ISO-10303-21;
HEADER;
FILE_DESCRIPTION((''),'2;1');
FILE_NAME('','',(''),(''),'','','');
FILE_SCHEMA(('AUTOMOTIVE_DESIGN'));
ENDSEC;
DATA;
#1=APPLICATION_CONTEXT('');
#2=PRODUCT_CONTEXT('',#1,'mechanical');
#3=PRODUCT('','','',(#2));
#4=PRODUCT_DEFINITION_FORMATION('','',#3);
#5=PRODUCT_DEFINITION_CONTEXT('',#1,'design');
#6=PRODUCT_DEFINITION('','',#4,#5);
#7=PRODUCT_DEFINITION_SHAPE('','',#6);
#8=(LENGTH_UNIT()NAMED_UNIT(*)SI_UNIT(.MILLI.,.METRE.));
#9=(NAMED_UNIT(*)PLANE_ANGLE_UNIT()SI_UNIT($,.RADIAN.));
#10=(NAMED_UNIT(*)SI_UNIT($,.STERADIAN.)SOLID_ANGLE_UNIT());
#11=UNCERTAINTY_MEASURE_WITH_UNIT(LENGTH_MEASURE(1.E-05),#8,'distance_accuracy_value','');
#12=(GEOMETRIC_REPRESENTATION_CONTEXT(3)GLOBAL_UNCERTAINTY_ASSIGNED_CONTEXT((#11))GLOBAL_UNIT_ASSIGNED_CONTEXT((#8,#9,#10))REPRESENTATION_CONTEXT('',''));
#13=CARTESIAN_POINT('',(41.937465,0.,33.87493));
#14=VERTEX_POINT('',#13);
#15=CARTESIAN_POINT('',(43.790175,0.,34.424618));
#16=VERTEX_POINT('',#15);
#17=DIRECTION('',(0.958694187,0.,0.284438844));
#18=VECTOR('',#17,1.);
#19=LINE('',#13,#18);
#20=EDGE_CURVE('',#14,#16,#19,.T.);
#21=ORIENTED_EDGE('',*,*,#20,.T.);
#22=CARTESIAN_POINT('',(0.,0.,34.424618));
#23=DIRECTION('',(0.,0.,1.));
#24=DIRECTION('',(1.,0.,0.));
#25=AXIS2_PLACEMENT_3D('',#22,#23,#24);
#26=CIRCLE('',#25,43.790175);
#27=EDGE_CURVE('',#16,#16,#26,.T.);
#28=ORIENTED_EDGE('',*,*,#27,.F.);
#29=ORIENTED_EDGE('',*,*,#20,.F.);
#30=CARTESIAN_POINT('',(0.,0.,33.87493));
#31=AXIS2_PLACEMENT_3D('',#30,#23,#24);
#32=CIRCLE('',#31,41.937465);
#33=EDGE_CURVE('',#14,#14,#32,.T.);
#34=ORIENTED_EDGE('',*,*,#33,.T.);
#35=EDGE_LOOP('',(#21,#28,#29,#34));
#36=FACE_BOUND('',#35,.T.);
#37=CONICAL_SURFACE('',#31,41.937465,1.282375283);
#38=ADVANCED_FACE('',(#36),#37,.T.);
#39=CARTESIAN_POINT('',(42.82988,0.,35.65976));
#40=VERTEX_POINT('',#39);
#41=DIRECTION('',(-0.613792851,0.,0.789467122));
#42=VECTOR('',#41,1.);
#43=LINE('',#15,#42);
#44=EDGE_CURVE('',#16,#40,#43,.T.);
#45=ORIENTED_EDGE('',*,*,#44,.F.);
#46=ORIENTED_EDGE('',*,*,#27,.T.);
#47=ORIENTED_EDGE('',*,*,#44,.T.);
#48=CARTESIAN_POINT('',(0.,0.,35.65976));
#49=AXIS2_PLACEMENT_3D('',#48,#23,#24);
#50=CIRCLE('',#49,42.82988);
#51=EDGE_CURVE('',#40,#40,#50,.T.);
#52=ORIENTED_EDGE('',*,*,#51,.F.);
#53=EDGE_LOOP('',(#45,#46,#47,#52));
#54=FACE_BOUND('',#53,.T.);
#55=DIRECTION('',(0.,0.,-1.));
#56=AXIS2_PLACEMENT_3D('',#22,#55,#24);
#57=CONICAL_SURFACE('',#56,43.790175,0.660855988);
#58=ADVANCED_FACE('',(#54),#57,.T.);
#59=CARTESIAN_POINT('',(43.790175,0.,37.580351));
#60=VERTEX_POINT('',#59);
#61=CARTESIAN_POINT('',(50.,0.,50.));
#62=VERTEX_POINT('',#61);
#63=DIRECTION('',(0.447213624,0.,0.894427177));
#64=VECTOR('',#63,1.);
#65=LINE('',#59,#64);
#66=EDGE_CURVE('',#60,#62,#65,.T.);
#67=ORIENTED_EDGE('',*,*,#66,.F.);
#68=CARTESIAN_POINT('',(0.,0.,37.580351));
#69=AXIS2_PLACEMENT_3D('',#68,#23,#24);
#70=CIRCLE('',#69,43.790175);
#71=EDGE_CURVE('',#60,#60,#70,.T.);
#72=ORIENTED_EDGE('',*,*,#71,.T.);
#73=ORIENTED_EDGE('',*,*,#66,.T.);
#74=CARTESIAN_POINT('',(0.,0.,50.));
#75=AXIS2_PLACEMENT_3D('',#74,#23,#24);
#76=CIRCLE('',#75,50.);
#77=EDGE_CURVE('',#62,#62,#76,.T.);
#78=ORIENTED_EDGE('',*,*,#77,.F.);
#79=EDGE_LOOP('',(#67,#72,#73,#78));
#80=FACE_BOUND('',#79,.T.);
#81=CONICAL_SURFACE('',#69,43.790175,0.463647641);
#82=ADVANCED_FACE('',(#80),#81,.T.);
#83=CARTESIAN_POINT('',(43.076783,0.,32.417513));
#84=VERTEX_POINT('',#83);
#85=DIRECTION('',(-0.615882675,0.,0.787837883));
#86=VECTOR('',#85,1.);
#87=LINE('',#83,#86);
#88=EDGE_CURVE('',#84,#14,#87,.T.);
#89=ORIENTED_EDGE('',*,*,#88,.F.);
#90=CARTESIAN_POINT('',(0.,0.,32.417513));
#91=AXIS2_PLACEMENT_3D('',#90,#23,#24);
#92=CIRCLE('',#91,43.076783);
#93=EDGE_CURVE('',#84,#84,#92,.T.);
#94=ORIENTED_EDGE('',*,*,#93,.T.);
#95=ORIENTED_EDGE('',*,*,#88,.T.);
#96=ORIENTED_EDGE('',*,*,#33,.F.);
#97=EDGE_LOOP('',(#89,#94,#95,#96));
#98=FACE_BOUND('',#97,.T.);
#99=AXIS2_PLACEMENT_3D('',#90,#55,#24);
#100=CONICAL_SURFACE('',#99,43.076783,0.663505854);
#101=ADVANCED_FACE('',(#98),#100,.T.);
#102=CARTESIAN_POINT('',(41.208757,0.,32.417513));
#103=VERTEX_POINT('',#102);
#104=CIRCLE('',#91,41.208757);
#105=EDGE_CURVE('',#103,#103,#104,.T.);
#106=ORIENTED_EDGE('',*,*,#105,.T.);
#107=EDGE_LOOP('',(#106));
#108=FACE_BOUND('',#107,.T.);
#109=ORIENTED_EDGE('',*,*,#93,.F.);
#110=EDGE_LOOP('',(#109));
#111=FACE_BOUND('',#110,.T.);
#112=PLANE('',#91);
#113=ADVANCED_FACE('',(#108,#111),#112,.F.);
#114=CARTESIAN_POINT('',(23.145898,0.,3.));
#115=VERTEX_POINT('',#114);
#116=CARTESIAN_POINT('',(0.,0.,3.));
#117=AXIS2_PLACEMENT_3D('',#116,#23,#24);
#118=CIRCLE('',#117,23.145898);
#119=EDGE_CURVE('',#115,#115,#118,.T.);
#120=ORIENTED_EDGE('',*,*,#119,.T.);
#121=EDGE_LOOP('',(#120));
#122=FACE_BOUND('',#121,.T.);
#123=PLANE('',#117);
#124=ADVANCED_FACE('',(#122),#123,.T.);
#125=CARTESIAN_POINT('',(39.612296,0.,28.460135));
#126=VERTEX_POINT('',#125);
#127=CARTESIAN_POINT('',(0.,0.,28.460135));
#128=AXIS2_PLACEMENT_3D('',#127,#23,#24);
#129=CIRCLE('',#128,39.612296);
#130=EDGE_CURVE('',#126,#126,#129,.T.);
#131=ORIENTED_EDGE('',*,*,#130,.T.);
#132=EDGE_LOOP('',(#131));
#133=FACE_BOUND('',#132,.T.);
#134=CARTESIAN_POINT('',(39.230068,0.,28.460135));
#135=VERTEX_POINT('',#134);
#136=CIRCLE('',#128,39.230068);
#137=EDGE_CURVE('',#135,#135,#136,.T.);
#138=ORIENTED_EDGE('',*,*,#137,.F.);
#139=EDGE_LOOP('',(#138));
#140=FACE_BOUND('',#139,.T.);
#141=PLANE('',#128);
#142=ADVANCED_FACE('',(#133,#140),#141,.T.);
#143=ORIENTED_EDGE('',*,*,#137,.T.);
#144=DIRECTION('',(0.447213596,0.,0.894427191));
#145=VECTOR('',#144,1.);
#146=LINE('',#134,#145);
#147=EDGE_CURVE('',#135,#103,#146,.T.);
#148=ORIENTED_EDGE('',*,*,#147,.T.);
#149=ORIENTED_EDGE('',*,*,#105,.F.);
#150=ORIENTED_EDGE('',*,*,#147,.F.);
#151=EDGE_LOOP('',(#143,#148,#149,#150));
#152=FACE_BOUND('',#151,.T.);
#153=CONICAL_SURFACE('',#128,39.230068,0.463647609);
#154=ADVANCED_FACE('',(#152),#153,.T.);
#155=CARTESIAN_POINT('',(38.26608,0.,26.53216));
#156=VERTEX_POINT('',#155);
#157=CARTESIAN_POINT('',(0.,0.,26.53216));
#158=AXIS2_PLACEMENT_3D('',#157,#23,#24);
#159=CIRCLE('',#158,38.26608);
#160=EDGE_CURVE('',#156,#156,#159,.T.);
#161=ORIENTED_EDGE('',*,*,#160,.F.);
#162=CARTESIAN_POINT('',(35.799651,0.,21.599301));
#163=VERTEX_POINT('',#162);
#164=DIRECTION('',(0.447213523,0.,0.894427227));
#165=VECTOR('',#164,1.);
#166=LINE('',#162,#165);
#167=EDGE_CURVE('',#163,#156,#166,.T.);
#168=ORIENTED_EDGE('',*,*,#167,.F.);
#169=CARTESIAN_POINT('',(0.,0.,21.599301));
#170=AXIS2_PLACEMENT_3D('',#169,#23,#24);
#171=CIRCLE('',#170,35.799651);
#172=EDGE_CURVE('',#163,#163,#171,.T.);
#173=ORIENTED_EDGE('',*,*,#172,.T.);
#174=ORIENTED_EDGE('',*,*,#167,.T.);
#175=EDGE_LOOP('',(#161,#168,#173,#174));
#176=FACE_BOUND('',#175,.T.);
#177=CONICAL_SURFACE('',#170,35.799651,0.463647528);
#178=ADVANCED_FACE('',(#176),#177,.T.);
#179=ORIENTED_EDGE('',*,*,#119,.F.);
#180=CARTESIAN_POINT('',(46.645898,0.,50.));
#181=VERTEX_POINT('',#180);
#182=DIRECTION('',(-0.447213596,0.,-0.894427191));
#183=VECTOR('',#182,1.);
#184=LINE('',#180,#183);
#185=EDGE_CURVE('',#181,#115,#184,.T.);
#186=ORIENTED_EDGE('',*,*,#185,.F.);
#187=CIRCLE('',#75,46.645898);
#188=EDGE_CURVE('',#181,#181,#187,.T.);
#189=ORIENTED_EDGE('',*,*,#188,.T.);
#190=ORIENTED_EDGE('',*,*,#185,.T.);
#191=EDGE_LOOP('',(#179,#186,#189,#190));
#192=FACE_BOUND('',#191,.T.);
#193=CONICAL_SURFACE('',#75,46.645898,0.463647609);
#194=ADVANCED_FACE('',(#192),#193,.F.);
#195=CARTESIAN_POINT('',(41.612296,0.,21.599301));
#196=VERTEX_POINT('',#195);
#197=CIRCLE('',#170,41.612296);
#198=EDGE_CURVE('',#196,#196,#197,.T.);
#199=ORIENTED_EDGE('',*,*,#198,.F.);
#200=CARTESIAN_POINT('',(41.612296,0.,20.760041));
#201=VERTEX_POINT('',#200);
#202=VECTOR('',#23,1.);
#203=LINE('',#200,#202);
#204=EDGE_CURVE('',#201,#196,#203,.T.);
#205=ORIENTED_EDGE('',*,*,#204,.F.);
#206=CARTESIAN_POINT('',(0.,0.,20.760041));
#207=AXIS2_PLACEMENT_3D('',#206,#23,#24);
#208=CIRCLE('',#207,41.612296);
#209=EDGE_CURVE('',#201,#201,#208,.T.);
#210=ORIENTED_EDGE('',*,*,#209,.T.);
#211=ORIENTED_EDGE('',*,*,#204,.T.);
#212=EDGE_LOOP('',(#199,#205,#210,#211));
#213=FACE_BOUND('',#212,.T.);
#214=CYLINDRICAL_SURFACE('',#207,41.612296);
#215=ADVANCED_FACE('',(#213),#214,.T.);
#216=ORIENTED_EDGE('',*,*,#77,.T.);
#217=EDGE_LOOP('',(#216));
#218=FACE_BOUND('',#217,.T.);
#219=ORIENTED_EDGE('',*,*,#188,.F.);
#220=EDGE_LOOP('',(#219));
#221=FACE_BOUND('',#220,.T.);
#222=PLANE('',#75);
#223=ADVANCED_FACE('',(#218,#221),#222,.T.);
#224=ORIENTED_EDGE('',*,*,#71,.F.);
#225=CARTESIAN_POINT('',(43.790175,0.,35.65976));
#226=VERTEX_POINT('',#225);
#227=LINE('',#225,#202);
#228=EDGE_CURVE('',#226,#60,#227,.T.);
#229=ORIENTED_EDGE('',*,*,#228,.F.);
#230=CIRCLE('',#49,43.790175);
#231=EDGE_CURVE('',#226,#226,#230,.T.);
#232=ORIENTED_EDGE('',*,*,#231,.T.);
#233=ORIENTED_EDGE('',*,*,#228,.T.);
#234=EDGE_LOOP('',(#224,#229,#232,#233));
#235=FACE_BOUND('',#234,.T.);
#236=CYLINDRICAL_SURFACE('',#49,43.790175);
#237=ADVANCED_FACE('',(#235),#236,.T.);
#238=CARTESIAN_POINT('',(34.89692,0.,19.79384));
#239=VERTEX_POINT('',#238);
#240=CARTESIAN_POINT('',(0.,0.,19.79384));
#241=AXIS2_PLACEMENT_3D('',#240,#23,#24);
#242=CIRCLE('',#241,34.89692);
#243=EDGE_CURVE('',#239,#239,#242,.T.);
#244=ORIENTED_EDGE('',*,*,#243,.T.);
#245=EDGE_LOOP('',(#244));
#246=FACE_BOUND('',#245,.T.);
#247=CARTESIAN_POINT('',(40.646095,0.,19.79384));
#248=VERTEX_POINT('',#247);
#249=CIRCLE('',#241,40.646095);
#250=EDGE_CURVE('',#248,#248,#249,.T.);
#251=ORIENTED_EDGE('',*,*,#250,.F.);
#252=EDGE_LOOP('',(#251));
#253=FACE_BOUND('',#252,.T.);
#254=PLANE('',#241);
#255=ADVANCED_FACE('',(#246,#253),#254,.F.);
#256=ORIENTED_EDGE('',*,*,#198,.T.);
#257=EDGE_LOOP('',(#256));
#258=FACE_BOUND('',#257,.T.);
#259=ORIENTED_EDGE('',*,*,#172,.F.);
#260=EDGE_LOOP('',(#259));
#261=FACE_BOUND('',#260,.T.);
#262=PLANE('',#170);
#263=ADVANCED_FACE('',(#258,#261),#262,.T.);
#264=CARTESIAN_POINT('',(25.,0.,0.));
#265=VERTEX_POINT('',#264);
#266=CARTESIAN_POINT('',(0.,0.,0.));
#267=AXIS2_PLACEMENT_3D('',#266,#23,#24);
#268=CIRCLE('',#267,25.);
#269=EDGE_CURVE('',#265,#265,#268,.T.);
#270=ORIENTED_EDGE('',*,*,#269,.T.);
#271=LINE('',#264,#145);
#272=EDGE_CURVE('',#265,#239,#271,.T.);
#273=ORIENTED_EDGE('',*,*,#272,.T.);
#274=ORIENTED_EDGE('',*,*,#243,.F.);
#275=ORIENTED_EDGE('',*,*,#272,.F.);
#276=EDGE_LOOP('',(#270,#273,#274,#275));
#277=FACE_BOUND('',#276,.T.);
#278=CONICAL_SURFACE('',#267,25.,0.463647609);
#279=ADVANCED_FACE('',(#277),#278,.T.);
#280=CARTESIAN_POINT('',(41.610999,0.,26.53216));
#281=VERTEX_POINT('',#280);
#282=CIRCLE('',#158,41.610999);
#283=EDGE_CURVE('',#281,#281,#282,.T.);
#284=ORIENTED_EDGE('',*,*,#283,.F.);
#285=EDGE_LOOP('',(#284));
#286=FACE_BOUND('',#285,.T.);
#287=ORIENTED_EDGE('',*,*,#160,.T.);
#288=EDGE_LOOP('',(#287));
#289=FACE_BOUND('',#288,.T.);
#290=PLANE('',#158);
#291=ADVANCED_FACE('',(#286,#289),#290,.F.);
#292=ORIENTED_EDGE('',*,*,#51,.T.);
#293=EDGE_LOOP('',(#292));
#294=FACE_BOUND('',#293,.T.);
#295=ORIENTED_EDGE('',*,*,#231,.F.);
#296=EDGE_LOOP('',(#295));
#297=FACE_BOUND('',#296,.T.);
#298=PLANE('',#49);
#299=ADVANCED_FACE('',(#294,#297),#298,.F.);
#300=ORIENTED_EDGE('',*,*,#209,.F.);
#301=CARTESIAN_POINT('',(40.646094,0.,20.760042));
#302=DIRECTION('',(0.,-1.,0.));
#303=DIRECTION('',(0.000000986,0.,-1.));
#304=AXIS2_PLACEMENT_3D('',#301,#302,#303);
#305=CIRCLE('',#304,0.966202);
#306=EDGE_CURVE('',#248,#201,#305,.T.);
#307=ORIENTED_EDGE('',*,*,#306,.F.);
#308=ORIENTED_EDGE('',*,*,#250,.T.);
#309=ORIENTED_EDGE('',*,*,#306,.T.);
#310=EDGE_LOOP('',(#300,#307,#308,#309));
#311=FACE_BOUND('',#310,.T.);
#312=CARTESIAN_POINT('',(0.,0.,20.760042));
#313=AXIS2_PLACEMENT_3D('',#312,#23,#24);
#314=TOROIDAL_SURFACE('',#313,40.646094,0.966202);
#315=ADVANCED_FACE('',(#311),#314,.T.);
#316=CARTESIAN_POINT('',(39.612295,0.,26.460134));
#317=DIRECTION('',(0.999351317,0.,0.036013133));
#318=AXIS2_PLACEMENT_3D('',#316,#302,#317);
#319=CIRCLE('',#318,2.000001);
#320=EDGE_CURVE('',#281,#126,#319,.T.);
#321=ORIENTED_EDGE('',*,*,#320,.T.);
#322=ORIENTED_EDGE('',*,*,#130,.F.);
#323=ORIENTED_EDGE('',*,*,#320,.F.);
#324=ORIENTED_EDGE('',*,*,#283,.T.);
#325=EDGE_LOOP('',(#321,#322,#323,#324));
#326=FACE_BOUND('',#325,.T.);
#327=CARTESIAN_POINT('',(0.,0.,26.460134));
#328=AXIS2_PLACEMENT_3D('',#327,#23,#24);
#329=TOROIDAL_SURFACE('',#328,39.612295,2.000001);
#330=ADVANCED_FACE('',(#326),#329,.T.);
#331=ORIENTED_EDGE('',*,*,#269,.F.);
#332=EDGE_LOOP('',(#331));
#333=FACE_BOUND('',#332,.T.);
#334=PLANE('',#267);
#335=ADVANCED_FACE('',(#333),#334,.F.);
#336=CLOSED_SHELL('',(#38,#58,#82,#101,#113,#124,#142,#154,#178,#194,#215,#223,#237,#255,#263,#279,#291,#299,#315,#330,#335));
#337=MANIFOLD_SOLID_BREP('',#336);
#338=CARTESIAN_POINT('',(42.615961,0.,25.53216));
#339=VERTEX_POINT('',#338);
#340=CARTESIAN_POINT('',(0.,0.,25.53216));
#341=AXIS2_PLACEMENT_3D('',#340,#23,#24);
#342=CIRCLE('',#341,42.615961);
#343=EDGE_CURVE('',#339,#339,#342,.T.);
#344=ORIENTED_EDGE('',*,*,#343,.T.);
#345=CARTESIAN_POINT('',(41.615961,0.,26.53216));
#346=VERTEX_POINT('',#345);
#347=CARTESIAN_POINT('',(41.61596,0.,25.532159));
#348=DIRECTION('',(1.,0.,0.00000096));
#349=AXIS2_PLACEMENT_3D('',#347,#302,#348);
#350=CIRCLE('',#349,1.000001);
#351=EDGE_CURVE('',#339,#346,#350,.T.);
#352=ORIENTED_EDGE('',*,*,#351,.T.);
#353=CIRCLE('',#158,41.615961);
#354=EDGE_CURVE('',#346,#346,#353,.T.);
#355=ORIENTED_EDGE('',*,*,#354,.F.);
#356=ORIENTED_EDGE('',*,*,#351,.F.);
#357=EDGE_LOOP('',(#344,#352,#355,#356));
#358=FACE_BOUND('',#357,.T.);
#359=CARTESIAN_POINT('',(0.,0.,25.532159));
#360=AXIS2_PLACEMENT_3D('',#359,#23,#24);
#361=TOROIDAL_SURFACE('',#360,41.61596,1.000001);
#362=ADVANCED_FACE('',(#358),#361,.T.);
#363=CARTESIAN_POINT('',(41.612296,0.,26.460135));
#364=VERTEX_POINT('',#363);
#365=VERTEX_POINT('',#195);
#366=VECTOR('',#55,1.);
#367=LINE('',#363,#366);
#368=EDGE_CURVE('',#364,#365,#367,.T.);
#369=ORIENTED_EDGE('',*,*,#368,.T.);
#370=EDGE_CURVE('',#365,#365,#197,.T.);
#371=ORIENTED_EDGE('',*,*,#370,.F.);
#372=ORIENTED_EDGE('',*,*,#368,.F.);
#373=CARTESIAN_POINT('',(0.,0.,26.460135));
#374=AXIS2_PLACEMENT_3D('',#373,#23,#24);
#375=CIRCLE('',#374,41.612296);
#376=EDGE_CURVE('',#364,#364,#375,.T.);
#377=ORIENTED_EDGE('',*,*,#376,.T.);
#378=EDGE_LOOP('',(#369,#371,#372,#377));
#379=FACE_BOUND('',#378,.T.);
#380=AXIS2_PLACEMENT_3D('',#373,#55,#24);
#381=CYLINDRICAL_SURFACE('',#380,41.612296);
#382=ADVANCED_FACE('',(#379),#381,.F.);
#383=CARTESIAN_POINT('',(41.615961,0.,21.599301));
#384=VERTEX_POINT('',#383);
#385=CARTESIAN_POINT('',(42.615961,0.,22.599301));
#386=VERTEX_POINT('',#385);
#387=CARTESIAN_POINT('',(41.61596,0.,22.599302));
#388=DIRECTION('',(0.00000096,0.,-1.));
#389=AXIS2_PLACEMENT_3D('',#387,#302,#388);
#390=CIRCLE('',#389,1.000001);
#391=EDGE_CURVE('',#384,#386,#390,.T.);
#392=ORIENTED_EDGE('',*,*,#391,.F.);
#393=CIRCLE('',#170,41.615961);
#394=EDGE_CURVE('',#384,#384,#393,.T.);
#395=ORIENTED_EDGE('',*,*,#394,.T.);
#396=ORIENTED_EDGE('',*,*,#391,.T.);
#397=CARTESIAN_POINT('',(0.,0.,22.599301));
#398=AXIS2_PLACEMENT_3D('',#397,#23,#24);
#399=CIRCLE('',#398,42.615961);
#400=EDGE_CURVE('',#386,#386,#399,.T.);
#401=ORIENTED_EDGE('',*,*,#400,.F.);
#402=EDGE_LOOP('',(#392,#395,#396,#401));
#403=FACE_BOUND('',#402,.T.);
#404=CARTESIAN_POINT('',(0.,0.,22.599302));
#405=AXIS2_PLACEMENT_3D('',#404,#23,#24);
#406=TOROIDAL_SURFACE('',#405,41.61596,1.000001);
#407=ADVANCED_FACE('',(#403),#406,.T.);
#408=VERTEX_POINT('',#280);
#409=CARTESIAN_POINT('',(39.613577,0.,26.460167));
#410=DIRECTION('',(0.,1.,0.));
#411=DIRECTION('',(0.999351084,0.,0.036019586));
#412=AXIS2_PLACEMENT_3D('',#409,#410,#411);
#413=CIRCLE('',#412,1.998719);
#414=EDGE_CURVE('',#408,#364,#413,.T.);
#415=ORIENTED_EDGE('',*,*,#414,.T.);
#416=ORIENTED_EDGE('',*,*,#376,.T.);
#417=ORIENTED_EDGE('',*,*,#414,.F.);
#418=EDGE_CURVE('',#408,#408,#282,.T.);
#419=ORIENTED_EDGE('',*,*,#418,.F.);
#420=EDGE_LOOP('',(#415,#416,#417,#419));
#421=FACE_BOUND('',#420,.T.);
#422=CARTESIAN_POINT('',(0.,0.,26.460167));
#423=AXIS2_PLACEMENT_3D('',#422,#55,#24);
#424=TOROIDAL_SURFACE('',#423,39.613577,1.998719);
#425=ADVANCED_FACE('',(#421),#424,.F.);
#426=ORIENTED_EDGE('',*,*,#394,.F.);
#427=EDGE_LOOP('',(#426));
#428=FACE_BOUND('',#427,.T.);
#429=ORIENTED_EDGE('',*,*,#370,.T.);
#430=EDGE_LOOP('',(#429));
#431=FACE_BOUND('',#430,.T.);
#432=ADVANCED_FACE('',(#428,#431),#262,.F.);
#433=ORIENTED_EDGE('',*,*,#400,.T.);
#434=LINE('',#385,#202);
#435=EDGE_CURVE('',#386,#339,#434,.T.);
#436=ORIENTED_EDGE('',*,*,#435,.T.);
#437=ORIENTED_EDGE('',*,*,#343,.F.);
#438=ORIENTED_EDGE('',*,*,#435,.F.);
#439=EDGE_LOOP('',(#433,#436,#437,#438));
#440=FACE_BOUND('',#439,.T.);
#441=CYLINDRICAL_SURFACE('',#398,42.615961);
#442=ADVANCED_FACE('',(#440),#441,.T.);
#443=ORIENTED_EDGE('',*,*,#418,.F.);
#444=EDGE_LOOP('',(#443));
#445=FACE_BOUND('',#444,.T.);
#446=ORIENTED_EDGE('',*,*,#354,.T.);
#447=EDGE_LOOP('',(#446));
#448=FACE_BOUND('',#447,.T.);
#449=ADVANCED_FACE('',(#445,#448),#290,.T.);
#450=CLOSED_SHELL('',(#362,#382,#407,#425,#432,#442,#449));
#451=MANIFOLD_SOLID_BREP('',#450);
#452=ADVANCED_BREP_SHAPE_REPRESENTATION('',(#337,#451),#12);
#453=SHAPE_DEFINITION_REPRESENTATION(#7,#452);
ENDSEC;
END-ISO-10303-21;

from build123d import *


with BuildPart() as f1:
    # F0 (on Front) → F1 (revolve)
    with BuildSketch(Plane.XZ):
        Polygon((0, 3), (0, 0), (25, 0), (34.89692, 19.79384), (35.799651, 21.599301), (38.26608, 26.53216), (39.230068, 28.460135), (41.208757, 32.417513), (41.937465, 33.87493), (42.82988, 35.65976), (43.790175, 37.580351), (50, 50), (46.645898, 50), (23.145898, 3), align=None)
        Polygon((43.790175, 35.65976), (43.790175, 37.580351), (42.82988, 35.65976), align=None)
        Polygon((43.790175, 34.424618), (42.82988, 35.65976), (41.937465, 33.87493), align=None)
        Polygon((41.937465, 33.87493), (41.208757, 32.417513), (43.076783, 32.417513), align=None)
        with BuildLine():
            Line((41.612296, 26.460135), (41.612296, 21.599301))
            Line((41.612296, 21.599301), (41.615961, 21.599301))
            ThreePointArc((41.615961, 21.599301), (42.323067, 21.892194), (42.615961, 22.599301))
            Line((42.615961, 22.599301), (42.615961, 25.53216))
            ThreePointArc((42.615961, 25.53216), (42.323067, 26.239267), (41.615961, 26.53216))
            Line((41.615961, 26.53216), (41.610999, 26.53216))
            ThreePointArc((41.610999, 26.53216), (41.611972, 26.496154), (41.612296, 26.460135))
        make_face()
        with BuildLine():
            Line((35.799651, 21.599301), (34.89692, 19.79384))
            Line((34.89692, 19.79384), (40.646095, 19.79384))
            ThreePointArc((40.646095, 19.79384), (41.329302, 20.076834), (41.612296, 20.760041))
            Line((41.612296, 20.760041), (41.612296, 21.599301))
            Line((41.612296, 21.599301), (35.799651, 21.599301))
        make_face()
        with BuildLine():
            Line((39.230068, 28.460135), (38.26608, 26.53216))
            Line((38.26608, 26.53216), (41.610999, 26.53216))
            ThreePointArc((41.610999, 26.53216), (41.000811, 27.899588), (39.612296, 28.460135))
            Line((39.612296, 28.460135), (39.230068, 28.460135))
        make_face()
    revolve(axis=Axis((0, 0, 25), (0, 0, 1)))


solid = f1.part
